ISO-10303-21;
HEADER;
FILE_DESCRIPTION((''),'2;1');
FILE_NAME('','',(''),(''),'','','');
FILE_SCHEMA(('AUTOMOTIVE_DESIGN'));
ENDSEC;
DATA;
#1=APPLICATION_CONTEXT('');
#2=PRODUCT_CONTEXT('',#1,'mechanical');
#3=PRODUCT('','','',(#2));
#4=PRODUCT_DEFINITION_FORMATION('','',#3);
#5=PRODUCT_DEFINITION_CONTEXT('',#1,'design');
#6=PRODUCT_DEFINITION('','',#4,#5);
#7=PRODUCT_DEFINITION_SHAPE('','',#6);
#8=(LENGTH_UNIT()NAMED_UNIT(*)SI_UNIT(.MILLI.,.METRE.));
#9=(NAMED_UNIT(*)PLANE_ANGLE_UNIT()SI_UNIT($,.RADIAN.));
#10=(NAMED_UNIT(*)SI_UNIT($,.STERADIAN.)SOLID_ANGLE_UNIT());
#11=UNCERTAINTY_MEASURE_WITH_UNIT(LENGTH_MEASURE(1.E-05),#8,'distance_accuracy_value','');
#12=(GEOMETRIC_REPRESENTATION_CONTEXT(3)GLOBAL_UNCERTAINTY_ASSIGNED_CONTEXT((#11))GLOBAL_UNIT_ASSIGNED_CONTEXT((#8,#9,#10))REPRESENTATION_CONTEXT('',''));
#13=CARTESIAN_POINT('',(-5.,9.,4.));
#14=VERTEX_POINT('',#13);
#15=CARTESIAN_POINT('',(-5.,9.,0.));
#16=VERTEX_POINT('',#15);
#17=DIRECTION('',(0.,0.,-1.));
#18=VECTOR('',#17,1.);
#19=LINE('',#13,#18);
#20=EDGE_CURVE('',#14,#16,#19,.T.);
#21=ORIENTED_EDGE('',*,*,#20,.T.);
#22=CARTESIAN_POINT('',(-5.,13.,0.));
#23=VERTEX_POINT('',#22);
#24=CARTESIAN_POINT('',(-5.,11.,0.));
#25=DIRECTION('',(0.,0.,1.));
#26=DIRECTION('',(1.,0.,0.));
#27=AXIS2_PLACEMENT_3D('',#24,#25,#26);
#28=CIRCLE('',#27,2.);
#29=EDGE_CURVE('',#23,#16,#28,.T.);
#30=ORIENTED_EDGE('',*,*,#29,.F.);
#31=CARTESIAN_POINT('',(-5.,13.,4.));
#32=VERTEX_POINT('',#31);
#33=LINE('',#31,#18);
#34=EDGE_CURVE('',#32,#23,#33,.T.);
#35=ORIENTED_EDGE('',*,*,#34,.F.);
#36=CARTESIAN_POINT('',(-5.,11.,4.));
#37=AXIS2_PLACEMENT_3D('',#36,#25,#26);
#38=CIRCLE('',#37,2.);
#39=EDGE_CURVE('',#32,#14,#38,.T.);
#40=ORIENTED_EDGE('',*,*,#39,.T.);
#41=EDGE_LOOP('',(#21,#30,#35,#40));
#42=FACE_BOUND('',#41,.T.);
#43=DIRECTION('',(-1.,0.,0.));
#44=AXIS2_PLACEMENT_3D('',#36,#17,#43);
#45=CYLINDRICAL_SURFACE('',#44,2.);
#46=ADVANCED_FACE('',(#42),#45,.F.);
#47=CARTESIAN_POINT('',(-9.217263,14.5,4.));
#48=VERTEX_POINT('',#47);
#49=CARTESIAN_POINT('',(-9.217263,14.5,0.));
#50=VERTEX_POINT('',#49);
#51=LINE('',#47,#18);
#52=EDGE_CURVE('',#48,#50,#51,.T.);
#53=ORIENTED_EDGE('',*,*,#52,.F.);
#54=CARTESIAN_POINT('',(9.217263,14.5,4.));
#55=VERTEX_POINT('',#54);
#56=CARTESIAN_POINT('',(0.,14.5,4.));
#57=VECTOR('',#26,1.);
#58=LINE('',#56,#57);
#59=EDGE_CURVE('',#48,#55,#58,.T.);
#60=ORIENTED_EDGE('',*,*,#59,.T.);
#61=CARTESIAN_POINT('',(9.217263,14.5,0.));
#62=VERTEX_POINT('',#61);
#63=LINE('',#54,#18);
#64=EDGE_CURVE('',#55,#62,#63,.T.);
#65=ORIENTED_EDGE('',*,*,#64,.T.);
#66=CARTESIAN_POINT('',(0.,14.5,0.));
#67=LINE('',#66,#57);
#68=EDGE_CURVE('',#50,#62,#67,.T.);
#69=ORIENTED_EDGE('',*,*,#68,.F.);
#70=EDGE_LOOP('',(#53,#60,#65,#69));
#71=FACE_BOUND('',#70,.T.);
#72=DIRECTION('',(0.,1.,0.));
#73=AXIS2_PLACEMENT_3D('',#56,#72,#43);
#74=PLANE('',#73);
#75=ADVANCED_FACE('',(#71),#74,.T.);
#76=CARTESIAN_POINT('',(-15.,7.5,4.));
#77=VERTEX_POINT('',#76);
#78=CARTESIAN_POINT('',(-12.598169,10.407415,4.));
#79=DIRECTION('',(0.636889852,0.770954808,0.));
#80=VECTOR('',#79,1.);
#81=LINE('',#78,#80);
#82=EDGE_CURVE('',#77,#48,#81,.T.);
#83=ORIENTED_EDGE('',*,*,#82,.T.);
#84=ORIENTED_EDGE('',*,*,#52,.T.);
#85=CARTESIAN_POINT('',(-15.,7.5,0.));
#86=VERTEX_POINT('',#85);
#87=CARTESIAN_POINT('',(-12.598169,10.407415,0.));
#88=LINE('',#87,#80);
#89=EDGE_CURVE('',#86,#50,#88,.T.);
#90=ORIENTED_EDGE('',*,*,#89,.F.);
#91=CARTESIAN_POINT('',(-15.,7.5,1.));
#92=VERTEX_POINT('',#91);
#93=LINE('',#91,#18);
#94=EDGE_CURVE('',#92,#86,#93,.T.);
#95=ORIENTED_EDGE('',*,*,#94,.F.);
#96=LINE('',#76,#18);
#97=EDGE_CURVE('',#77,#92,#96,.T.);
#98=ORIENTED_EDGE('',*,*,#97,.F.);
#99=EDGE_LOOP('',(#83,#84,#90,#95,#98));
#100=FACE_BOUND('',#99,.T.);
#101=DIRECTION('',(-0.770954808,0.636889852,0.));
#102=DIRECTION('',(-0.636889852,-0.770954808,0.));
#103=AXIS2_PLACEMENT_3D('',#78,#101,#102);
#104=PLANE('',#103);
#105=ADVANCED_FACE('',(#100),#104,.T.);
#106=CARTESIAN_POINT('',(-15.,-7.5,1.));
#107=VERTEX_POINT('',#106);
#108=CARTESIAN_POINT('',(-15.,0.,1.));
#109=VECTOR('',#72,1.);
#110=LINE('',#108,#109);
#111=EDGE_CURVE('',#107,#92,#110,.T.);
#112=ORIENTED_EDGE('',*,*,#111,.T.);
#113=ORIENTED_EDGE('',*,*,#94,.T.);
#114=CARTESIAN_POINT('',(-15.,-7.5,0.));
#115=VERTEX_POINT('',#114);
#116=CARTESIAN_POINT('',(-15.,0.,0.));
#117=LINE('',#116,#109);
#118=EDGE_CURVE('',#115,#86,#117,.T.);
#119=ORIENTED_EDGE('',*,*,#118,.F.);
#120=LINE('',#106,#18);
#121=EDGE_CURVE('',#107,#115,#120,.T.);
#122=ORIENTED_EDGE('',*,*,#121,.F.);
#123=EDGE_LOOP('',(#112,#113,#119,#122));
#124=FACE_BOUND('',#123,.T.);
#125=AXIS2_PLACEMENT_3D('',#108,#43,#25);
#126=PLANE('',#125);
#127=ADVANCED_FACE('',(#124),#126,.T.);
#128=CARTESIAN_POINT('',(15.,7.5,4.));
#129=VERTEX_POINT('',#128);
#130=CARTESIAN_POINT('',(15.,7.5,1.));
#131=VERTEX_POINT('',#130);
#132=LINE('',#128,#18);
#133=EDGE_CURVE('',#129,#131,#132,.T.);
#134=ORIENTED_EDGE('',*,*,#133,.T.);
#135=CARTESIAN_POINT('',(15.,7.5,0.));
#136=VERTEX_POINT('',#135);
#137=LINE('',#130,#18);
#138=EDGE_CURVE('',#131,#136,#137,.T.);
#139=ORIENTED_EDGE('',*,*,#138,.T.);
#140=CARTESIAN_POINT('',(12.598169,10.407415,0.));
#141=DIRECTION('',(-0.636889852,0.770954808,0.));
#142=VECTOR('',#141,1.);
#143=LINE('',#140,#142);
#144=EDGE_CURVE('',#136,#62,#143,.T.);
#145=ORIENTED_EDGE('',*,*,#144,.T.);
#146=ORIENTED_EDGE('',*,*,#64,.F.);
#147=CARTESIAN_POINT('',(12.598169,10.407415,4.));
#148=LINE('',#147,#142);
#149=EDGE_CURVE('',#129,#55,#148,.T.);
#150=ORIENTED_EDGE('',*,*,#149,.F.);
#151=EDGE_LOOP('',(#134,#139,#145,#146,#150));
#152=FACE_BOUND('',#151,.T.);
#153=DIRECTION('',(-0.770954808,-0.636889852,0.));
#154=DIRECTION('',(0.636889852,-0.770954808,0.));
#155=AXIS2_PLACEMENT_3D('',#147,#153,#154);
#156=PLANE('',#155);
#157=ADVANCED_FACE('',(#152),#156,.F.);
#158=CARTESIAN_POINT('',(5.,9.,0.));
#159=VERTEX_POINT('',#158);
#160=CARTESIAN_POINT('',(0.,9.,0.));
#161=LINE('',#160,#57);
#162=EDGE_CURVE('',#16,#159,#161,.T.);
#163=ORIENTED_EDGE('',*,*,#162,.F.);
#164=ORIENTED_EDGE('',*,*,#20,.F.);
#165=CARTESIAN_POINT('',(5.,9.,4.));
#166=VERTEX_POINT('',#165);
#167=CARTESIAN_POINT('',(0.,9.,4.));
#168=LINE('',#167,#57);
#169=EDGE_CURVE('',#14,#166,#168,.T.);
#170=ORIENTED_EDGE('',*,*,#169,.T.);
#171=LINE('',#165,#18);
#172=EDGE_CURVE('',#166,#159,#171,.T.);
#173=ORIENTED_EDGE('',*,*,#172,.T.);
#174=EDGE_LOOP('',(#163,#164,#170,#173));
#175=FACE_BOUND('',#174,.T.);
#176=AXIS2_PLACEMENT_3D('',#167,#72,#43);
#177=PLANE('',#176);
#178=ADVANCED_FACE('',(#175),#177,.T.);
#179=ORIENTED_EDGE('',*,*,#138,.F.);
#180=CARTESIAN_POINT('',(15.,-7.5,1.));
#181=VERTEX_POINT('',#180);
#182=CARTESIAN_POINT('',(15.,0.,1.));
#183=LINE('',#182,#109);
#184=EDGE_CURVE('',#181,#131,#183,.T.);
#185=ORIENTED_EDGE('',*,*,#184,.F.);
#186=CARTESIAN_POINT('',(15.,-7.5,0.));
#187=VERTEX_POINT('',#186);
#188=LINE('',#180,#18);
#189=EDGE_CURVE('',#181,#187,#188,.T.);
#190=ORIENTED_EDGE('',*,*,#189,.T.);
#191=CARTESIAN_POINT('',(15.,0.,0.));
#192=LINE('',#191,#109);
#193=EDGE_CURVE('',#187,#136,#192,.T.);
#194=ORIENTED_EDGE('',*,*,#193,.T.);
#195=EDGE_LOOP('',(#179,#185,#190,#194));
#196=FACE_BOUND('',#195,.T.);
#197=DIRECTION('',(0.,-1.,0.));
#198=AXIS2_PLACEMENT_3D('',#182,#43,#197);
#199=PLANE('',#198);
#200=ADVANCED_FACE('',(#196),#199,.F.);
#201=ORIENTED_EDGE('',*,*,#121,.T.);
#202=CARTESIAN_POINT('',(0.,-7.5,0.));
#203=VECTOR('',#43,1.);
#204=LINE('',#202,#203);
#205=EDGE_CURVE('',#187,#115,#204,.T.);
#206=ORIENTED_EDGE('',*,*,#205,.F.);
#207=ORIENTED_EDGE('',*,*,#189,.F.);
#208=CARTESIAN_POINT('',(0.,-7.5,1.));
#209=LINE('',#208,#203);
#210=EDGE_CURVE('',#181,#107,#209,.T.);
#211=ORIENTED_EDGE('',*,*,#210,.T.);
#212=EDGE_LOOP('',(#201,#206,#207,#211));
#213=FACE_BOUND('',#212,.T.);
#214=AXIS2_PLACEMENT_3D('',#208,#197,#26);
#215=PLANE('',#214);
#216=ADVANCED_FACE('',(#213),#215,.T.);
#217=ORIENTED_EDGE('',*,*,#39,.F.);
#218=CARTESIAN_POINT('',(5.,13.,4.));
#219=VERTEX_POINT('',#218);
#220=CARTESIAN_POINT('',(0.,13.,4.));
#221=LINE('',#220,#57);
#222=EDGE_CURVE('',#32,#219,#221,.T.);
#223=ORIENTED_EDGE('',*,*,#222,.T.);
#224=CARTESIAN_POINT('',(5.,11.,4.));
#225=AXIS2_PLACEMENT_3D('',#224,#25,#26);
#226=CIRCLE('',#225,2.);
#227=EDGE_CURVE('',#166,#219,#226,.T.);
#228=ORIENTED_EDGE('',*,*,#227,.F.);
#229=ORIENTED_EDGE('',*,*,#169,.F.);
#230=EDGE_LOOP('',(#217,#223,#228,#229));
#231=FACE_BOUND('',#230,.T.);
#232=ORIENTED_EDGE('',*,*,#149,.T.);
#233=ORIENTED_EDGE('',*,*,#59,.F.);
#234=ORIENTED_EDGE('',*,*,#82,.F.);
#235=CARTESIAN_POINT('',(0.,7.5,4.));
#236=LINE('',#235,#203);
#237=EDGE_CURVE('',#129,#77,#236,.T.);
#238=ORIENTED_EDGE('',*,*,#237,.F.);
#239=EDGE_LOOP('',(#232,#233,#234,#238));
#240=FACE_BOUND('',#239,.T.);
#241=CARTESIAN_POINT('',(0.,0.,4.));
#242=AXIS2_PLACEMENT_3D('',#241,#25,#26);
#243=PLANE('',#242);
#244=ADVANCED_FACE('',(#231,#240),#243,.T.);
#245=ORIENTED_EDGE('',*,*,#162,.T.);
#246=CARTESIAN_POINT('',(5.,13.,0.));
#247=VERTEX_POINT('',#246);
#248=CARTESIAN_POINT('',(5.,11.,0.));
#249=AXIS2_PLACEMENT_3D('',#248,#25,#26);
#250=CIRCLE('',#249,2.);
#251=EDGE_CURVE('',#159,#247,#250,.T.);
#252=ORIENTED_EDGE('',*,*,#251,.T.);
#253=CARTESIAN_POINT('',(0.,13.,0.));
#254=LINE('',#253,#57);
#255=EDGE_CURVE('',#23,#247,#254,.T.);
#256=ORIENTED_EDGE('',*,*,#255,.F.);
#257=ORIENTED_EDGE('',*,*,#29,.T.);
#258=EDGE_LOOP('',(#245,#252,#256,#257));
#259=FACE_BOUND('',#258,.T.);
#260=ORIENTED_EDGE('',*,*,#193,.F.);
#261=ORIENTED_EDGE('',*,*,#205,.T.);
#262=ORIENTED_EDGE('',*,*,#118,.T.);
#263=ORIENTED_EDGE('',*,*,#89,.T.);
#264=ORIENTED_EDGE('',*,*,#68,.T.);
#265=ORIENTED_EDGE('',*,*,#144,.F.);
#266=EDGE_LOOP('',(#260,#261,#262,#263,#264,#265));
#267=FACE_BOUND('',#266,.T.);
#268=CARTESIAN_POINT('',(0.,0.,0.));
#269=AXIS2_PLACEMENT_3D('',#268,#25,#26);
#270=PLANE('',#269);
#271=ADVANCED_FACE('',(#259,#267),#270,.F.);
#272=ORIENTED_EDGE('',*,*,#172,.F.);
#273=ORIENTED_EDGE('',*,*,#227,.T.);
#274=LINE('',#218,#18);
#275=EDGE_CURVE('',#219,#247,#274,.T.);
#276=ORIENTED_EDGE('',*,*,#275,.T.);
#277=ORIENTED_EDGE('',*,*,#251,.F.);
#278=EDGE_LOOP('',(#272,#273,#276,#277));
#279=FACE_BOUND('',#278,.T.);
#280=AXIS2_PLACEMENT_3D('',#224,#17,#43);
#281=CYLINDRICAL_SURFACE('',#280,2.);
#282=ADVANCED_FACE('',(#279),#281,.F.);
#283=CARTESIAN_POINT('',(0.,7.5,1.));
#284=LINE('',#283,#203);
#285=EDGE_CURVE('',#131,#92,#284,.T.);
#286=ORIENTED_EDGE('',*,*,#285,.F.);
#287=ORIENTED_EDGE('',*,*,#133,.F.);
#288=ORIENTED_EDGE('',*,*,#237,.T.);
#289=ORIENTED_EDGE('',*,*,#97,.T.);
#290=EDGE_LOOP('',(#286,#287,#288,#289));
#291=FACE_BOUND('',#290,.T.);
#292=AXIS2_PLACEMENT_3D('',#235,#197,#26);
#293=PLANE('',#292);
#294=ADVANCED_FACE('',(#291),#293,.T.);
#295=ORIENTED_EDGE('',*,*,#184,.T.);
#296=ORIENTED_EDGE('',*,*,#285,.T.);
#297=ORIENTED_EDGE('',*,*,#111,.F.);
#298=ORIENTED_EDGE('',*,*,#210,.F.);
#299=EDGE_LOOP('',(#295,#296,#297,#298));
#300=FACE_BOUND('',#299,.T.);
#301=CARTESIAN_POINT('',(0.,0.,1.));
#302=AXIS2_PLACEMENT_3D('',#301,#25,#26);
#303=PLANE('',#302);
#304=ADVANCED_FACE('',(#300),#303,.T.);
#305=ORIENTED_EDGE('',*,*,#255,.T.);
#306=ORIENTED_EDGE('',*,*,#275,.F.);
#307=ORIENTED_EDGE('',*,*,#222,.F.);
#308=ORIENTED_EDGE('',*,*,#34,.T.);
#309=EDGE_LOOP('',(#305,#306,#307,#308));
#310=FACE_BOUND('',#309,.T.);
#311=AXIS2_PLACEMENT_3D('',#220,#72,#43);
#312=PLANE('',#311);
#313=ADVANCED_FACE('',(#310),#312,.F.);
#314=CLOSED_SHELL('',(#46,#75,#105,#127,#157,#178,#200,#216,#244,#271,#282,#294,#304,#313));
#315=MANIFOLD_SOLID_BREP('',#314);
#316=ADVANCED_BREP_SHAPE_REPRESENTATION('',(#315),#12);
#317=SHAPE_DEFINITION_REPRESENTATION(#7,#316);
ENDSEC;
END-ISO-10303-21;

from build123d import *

# Parameters (mm, degrees)
SKETCH_1_W      = 30
SKETCH_1_H      = 15
EXTRUDE_1_DEPTH = 1
EXTRUDE_2_DEPTH = 4


with BuildPart() as part:
    # 草图1 → 凸台-拉伸1 (new body)
    with BuildSketch(Plane.XY):
        Rectangle(SKETCH_1_W, SKETCH_1_H)
    extrude(amount=EXTRUDE_1_DEPTH)

    # 草图1<3> → 凸台-拉伸2 (add)
    with BuildSketch(Plane.XY):
        Polygon((-9.217262909, 14.5), (-15, 7.5), (15, 7.5), (9.217262909, 14.5), align=None)
        with BuildLine():
            ThreePointArc((-5, 9), (-7, 11), (-5, 13))
            Line((-5, 13), (5, 13))
            ThreePointArc((5, 13), (7, 11), (5, 9))
            Line((5, 9), (-5, 9))
        make_face(mode=Mode.SUBTRACT)
    extrude(amount=EXTRUDE_2_DEPTH)


solid = part.part
